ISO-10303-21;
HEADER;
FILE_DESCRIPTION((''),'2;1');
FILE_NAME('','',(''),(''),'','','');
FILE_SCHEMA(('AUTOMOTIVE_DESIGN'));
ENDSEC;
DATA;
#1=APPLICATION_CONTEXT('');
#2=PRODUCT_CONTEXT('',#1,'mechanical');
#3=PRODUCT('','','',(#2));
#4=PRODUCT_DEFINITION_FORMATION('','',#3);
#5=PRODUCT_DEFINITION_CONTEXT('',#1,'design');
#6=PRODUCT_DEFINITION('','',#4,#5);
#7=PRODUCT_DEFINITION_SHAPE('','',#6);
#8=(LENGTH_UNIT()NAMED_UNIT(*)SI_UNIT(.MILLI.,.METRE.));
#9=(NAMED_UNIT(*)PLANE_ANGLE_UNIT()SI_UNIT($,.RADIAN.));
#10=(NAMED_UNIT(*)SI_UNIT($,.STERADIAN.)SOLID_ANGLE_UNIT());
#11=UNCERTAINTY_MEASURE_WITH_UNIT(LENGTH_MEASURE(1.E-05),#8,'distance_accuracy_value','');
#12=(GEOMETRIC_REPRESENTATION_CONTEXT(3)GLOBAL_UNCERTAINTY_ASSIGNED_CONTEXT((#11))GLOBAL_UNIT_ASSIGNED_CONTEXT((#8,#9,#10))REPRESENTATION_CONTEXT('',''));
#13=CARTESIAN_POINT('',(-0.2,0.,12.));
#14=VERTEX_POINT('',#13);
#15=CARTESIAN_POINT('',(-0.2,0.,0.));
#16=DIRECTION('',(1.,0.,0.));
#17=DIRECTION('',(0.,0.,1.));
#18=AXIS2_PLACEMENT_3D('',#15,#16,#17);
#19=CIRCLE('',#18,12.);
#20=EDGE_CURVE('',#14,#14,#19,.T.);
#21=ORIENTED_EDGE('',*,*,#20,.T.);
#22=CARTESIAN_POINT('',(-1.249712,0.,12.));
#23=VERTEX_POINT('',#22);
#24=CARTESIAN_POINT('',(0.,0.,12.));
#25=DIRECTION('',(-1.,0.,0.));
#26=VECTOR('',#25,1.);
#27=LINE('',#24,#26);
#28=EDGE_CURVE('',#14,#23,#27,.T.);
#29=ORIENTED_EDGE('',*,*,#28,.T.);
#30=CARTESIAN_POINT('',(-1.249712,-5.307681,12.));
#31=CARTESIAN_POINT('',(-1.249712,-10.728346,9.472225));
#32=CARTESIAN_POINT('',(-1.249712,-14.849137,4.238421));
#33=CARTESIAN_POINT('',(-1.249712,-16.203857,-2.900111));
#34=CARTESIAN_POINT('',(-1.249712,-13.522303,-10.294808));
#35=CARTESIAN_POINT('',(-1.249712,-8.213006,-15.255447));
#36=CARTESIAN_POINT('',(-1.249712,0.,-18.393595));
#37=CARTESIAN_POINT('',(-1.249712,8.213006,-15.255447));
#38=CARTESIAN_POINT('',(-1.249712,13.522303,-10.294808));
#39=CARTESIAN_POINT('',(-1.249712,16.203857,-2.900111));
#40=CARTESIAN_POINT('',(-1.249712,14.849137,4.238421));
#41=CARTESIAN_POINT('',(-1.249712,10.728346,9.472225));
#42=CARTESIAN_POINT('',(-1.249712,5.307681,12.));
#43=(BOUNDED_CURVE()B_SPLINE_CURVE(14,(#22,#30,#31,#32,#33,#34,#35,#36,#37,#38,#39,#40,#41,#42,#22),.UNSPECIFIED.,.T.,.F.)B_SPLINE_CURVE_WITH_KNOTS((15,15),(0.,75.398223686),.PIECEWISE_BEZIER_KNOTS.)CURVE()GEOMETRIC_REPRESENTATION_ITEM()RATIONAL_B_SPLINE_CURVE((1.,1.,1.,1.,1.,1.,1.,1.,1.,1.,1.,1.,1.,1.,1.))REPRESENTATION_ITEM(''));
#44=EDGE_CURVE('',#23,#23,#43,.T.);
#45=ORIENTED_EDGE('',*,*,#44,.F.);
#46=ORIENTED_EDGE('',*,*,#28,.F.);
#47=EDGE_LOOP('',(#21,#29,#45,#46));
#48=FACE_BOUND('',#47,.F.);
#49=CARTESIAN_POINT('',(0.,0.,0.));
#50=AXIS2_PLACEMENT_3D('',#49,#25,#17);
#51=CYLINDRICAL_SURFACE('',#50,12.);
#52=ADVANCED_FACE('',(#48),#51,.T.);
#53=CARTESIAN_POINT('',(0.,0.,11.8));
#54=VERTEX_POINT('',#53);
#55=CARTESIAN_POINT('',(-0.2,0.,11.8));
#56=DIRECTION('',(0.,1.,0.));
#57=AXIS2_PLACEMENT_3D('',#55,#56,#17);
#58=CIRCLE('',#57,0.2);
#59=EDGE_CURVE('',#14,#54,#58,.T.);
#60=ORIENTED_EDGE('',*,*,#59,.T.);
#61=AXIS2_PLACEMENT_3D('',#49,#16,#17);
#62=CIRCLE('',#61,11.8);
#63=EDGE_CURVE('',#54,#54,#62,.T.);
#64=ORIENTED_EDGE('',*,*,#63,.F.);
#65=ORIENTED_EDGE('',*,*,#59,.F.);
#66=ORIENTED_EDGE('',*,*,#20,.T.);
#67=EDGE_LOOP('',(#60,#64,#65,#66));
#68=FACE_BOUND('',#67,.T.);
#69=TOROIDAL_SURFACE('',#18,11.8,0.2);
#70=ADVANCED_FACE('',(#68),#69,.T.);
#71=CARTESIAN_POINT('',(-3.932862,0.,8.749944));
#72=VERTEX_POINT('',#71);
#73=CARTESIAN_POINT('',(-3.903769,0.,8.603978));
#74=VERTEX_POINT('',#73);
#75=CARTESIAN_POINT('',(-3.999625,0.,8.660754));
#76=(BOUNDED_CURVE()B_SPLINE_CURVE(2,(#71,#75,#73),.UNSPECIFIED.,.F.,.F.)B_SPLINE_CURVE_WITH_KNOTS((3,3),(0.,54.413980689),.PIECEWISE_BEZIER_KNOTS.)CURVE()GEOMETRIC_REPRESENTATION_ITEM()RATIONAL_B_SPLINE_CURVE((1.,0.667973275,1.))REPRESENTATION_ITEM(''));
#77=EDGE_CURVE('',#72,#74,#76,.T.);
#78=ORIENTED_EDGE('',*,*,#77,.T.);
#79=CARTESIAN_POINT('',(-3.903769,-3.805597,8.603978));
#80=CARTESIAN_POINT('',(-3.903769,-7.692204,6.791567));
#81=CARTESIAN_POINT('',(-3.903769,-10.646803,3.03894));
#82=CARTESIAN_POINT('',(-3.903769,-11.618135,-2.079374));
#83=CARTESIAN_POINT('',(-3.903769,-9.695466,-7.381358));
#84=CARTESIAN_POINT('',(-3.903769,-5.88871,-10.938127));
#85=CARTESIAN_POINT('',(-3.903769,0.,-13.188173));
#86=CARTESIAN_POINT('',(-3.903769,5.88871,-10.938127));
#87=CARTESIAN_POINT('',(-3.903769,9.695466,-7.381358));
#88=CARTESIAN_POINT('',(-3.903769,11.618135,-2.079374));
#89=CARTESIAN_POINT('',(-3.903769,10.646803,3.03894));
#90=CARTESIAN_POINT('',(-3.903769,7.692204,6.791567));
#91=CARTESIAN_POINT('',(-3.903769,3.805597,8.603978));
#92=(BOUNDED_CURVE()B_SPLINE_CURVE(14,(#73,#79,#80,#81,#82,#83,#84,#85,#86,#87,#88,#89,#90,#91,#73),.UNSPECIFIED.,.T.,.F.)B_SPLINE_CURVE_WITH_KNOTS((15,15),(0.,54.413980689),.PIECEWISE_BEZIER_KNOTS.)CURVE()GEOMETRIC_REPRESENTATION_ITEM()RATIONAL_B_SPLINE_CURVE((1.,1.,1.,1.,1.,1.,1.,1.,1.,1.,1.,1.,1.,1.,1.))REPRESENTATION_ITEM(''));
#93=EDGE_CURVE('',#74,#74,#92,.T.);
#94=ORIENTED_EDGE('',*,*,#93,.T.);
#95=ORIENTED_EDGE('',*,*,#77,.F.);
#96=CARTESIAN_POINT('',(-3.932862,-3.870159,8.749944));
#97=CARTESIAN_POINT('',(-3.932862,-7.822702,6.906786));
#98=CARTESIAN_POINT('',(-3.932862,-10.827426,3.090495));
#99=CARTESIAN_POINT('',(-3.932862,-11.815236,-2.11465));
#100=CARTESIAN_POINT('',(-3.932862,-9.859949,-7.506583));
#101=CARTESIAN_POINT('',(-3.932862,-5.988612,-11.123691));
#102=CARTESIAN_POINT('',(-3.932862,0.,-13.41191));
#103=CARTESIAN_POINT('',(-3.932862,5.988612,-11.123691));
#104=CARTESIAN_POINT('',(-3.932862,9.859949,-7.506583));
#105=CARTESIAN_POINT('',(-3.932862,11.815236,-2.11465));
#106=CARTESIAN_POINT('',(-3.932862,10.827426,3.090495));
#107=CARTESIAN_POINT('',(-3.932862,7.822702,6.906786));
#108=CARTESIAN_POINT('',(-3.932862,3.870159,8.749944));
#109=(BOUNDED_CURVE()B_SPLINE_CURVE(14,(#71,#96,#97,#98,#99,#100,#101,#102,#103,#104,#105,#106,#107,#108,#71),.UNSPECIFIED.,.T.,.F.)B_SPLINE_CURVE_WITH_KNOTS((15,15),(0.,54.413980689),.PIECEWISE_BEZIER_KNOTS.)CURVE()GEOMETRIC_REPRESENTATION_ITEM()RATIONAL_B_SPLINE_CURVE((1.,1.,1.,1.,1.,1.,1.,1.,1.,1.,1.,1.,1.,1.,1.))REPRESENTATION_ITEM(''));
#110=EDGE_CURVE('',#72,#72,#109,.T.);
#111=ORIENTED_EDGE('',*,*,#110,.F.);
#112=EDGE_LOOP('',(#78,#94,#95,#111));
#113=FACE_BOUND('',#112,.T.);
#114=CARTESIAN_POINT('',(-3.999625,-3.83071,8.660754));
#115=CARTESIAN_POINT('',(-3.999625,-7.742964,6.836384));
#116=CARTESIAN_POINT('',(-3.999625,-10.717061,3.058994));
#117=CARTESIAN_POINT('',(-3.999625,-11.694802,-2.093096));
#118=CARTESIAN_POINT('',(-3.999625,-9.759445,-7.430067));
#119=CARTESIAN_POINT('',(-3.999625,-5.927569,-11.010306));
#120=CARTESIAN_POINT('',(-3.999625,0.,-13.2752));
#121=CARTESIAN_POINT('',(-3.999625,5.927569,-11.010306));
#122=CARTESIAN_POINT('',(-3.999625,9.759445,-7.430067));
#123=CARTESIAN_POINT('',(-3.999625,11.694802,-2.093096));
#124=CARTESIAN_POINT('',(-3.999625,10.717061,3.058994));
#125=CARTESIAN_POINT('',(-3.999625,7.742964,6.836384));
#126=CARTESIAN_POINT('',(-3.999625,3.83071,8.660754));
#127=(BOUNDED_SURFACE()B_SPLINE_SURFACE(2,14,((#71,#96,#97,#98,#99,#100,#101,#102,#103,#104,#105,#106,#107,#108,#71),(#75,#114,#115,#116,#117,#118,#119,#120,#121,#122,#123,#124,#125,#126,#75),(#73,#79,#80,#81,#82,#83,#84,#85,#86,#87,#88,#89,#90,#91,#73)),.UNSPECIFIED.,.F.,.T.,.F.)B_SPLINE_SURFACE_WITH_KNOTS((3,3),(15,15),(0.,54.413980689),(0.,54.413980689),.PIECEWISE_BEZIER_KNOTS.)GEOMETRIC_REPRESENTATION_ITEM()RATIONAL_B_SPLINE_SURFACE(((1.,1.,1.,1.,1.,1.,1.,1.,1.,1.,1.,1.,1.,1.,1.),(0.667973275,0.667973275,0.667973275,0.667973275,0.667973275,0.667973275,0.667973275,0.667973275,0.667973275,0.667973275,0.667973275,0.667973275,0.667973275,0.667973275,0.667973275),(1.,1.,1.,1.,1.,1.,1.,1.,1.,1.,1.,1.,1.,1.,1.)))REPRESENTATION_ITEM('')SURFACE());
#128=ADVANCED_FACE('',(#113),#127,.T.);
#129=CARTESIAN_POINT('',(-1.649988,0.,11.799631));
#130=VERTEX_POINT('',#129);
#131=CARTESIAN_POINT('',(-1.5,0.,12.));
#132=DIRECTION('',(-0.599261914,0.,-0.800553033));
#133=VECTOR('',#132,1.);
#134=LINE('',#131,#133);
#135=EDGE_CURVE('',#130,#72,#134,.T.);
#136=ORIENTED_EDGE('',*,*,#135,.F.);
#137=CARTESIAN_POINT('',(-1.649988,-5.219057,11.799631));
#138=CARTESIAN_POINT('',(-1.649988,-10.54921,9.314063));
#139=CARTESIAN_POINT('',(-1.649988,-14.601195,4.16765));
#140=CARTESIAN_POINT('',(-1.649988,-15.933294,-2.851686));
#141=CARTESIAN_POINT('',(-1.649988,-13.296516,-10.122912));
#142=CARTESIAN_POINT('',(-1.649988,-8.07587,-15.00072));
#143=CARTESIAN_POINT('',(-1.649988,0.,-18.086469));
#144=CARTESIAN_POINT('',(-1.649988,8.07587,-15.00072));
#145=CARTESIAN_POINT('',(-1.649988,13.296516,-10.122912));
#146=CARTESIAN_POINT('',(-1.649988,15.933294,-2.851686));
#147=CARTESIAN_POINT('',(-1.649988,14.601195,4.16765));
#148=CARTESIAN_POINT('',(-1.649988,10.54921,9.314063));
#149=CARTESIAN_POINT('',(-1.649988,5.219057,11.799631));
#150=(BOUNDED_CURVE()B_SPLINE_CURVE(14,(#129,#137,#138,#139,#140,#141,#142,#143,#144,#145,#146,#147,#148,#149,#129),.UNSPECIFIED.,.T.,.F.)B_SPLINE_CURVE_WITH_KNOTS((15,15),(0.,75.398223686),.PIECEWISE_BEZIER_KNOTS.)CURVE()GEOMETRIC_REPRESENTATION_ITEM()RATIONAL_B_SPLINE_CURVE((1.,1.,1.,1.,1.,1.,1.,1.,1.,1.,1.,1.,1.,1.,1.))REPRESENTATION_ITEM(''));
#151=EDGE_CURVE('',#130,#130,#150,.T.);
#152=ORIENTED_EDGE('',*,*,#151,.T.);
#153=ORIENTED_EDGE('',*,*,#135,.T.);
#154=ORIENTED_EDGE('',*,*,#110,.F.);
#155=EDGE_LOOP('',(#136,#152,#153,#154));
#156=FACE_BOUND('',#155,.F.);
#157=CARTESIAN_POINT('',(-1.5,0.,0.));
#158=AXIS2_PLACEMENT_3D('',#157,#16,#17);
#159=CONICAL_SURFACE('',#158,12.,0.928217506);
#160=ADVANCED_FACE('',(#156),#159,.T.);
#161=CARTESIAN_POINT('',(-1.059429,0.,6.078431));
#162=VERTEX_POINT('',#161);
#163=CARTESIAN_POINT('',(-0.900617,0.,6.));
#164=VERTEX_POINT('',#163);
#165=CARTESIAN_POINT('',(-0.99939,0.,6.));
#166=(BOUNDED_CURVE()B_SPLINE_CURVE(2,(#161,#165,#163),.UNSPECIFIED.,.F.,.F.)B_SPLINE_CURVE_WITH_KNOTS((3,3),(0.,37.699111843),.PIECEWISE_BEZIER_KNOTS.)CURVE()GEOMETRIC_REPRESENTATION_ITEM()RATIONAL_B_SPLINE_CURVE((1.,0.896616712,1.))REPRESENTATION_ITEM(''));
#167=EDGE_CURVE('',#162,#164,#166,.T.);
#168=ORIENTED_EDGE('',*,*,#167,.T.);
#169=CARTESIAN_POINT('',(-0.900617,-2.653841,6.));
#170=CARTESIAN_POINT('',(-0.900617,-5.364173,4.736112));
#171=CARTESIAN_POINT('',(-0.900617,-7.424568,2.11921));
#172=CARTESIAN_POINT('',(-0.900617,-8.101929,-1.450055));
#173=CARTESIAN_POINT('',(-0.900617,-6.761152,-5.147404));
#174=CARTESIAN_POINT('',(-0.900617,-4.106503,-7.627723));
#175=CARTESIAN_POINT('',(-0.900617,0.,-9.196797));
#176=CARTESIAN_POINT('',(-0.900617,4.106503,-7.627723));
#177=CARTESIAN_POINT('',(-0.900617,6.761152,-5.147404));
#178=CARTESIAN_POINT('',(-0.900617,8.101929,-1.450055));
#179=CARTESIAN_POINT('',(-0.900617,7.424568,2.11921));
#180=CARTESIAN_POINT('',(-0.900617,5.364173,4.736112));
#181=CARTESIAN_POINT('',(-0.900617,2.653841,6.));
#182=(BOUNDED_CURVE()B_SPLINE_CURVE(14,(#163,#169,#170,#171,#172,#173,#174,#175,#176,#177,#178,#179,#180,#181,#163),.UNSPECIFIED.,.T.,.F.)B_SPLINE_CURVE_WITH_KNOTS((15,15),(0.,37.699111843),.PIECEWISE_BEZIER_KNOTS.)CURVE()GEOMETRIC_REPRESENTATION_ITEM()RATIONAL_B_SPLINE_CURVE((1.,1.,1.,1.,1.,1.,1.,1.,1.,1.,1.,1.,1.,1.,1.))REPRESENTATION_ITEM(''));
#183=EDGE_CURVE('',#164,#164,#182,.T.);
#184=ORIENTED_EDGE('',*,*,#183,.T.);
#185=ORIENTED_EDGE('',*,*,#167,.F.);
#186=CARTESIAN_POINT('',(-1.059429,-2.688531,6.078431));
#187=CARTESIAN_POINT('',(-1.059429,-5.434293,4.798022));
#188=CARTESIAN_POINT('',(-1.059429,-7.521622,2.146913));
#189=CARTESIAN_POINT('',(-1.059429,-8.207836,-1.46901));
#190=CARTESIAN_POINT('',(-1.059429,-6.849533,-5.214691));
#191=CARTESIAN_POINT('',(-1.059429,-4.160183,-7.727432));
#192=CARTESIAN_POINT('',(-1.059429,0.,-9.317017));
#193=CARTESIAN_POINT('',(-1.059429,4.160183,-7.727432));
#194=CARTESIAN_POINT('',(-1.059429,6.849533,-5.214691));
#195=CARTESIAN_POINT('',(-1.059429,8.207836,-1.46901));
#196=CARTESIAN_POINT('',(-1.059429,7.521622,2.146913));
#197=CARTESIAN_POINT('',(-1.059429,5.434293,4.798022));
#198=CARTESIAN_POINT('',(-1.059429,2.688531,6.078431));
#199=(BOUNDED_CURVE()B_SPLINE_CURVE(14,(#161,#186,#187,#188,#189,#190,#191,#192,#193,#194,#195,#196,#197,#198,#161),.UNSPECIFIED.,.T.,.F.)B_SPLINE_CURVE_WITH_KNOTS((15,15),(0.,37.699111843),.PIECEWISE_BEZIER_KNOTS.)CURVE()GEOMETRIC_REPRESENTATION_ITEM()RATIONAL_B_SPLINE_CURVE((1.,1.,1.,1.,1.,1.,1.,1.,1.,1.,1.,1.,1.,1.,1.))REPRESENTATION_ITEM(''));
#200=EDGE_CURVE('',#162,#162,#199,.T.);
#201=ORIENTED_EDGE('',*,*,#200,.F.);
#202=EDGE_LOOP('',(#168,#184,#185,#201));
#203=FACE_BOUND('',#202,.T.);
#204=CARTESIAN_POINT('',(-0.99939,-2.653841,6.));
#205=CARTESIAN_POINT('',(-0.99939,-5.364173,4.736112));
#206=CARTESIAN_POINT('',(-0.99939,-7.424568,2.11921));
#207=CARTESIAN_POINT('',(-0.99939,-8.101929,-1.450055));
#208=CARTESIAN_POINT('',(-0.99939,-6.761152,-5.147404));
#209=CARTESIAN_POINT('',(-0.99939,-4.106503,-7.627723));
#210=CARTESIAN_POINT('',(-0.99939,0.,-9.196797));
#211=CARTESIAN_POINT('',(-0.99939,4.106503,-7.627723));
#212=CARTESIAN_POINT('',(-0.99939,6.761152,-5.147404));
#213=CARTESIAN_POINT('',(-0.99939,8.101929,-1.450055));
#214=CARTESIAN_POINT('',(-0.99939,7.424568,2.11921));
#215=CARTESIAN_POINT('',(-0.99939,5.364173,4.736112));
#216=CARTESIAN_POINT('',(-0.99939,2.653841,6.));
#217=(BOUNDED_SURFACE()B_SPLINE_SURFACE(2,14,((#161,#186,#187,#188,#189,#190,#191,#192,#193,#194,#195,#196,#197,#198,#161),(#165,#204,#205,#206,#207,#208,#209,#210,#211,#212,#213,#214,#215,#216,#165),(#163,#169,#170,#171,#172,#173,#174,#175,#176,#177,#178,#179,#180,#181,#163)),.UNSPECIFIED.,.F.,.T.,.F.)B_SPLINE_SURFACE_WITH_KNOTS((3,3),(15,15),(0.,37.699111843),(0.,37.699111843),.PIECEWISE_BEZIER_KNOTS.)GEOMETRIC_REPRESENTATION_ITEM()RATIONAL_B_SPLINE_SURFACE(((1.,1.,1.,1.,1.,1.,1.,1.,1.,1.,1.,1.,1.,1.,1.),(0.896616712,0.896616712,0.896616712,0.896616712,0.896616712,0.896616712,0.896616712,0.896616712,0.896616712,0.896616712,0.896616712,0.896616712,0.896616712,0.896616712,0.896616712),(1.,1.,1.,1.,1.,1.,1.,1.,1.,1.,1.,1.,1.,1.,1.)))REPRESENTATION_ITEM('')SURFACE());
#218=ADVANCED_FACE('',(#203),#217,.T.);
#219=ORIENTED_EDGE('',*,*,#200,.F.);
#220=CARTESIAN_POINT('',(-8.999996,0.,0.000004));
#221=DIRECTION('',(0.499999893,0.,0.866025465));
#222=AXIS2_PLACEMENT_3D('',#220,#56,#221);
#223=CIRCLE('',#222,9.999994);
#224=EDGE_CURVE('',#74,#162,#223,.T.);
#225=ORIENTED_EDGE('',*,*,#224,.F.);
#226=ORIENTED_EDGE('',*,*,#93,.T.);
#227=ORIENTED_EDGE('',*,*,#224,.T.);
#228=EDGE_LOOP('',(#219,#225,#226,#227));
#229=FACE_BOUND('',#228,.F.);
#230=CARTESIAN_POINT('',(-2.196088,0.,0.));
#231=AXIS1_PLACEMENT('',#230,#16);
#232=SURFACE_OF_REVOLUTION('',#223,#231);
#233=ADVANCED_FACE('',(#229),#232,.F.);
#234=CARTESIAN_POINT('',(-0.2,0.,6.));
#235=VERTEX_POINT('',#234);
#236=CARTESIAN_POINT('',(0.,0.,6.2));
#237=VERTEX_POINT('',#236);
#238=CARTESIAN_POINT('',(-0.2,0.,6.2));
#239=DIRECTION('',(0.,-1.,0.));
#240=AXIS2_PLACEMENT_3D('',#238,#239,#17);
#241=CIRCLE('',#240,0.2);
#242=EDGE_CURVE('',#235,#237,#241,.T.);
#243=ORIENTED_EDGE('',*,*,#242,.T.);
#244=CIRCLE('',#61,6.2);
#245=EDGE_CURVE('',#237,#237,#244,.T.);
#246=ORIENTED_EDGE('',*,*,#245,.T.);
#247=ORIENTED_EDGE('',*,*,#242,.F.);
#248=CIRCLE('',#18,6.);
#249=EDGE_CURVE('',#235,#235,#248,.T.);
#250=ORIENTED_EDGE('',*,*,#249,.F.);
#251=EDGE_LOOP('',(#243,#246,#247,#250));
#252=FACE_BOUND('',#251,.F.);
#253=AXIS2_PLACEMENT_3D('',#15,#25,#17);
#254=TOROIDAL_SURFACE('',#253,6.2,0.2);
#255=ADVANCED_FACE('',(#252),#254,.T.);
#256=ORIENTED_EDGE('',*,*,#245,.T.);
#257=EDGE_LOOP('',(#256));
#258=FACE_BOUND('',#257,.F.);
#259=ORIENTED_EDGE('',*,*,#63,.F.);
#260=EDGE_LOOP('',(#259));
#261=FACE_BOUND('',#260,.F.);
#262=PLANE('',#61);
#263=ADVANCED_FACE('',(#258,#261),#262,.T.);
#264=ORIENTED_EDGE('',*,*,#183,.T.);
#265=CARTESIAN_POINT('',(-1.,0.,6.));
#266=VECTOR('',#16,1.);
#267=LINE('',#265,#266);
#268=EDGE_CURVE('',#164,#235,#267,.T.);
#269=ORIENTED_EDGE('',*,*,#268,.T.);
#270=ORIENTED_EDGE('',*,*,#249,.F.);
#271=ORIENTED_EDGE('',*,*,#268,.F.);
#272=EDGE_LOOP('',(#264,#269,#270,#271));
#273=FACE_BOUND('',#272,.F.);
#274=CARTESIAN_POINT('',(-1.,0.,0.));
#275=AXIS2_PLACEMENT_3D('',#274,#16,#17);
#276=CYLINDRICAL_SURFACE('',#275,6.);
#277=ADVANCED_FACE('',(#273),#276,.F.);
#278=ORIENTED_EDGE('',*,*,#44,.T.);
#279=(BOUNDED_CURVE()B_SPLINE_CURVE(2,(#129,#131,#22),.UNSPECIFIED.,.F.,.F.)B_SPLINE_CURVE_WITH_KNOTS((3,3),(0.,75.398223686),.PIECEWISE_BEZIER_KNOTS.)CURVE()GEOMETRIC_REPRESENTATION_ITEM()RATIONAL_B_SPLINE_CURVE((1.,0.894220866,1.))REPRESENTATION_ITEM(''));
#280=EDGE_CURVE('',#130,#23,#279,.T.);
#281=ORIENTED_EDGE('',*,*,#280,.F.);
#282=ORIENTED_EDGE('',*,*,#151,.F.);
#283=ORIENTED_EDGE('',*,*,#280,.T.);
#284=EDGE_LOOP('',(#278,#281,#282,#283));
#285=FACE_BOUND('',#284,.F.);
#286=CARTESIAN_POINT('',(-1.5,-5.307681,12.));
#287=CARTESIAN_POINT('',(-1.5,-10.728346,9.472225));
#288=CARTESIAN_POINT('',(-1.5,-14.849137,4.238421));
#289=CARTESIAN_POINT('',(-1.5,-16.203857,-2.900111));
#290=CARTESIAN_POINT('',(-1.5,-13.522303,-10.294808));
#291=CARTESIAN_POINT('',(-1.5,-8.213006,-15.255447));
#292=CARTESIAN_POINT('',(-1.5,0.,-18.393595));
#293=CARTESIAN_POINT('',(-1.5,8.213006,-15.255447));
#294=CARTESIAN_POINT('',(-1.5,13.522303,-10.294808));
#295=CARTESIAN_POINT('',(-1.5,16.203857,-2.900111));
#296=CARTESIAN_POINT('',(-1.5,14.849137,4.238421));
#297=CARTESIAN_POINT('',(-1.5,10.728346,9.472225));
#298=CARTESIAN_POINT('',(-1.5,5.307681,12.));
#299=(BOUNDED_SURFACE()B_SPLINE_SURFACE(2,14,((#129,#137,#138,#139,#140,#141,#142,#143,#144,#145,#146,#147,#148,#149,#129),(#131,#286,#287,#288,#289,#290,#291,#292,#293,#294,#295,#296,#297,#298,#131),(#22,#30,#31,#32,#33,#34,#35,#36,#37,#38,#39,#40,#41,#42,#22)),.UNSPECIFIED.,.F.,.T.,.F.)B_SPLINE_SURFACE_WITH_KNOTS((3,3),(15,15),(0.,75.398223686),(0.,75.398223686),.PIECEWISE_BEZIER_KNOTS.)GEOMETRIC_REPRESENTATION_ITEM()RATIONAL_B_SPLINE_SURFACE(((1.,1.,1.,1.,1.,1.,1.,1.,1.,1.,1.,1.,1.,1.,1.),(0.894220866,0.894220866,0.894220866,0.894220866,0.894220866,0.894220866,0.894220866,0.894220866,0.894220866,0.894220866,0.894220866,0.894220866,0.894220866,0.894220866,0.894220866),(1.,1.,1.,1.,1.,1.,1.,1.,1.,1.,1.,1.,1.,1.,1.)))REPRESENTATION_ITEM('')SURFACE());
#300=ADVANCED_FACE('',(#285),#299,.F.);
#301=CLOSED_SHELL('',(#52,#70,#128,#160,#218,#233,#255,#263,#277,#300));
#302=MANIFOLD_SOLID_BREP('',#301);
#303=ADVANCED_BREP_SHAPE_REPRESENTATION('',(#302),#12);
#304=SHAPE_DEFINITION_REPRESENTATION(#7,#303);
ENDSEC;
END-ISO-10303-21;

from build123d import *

# Parameters (mm, degrees)
F2_R = 0.2
F3_R = 0.5
F4_R = 0.2
F5_R = 0.1
F6_R = 0.2


with BuildPart() as f1:
    # F0 (on Front) → F1 (revolve)
    with BuildSketch(Plane.XZ):
        with BuildLine():
            ThreePointArc((-4, 8.660254), (-2.3653, 7.482029), (-1, 6))
            Line((-1, 6), (0, 6))
            Line((0, 6), (0, 12))
            Line((0, 12), (-1.5, 12))
            Line((-1.5, 12), (-4, 8.660254))
        make_face()
    revolve(axis=Axis((-2.196088, 0, 0), (1, 0, 0)))

    # F2
    f2_edges = [f1.edges().sort_by_distance(p)[0] for p in [
        (-1, 0, -6),
    ]]
    fillet(f2_edges, radius=F2_R)

    # F3
    f3_edges = [f1.edges().sort_by_distance(p)[0] for p in [
        (-1.5, 0, -12),
    ]]
    fillet(f3_edges, radius=F3_R)

    # F4
    f4_edges = [f1.edges().sort_by_distance(p)[0] for p in [
        (0, 0, -12),
    ]]
    fillet(f4_edges, radius=F4_R)

    # F5
    f5_edges = [f1.edges().sort_by_distance(p)[0] for p in [
        (-4, 0, -8.660254),
    ]]
    fillet(f5_edges, radius=F5_R)

    # F6
    f6_edges = [f1.edges().sort_by_distance(p)[0] for p in [
        (0, 0, -6),
    ]]
    fillet(f6_edges, radius=F6_R)


solid = f1.part
